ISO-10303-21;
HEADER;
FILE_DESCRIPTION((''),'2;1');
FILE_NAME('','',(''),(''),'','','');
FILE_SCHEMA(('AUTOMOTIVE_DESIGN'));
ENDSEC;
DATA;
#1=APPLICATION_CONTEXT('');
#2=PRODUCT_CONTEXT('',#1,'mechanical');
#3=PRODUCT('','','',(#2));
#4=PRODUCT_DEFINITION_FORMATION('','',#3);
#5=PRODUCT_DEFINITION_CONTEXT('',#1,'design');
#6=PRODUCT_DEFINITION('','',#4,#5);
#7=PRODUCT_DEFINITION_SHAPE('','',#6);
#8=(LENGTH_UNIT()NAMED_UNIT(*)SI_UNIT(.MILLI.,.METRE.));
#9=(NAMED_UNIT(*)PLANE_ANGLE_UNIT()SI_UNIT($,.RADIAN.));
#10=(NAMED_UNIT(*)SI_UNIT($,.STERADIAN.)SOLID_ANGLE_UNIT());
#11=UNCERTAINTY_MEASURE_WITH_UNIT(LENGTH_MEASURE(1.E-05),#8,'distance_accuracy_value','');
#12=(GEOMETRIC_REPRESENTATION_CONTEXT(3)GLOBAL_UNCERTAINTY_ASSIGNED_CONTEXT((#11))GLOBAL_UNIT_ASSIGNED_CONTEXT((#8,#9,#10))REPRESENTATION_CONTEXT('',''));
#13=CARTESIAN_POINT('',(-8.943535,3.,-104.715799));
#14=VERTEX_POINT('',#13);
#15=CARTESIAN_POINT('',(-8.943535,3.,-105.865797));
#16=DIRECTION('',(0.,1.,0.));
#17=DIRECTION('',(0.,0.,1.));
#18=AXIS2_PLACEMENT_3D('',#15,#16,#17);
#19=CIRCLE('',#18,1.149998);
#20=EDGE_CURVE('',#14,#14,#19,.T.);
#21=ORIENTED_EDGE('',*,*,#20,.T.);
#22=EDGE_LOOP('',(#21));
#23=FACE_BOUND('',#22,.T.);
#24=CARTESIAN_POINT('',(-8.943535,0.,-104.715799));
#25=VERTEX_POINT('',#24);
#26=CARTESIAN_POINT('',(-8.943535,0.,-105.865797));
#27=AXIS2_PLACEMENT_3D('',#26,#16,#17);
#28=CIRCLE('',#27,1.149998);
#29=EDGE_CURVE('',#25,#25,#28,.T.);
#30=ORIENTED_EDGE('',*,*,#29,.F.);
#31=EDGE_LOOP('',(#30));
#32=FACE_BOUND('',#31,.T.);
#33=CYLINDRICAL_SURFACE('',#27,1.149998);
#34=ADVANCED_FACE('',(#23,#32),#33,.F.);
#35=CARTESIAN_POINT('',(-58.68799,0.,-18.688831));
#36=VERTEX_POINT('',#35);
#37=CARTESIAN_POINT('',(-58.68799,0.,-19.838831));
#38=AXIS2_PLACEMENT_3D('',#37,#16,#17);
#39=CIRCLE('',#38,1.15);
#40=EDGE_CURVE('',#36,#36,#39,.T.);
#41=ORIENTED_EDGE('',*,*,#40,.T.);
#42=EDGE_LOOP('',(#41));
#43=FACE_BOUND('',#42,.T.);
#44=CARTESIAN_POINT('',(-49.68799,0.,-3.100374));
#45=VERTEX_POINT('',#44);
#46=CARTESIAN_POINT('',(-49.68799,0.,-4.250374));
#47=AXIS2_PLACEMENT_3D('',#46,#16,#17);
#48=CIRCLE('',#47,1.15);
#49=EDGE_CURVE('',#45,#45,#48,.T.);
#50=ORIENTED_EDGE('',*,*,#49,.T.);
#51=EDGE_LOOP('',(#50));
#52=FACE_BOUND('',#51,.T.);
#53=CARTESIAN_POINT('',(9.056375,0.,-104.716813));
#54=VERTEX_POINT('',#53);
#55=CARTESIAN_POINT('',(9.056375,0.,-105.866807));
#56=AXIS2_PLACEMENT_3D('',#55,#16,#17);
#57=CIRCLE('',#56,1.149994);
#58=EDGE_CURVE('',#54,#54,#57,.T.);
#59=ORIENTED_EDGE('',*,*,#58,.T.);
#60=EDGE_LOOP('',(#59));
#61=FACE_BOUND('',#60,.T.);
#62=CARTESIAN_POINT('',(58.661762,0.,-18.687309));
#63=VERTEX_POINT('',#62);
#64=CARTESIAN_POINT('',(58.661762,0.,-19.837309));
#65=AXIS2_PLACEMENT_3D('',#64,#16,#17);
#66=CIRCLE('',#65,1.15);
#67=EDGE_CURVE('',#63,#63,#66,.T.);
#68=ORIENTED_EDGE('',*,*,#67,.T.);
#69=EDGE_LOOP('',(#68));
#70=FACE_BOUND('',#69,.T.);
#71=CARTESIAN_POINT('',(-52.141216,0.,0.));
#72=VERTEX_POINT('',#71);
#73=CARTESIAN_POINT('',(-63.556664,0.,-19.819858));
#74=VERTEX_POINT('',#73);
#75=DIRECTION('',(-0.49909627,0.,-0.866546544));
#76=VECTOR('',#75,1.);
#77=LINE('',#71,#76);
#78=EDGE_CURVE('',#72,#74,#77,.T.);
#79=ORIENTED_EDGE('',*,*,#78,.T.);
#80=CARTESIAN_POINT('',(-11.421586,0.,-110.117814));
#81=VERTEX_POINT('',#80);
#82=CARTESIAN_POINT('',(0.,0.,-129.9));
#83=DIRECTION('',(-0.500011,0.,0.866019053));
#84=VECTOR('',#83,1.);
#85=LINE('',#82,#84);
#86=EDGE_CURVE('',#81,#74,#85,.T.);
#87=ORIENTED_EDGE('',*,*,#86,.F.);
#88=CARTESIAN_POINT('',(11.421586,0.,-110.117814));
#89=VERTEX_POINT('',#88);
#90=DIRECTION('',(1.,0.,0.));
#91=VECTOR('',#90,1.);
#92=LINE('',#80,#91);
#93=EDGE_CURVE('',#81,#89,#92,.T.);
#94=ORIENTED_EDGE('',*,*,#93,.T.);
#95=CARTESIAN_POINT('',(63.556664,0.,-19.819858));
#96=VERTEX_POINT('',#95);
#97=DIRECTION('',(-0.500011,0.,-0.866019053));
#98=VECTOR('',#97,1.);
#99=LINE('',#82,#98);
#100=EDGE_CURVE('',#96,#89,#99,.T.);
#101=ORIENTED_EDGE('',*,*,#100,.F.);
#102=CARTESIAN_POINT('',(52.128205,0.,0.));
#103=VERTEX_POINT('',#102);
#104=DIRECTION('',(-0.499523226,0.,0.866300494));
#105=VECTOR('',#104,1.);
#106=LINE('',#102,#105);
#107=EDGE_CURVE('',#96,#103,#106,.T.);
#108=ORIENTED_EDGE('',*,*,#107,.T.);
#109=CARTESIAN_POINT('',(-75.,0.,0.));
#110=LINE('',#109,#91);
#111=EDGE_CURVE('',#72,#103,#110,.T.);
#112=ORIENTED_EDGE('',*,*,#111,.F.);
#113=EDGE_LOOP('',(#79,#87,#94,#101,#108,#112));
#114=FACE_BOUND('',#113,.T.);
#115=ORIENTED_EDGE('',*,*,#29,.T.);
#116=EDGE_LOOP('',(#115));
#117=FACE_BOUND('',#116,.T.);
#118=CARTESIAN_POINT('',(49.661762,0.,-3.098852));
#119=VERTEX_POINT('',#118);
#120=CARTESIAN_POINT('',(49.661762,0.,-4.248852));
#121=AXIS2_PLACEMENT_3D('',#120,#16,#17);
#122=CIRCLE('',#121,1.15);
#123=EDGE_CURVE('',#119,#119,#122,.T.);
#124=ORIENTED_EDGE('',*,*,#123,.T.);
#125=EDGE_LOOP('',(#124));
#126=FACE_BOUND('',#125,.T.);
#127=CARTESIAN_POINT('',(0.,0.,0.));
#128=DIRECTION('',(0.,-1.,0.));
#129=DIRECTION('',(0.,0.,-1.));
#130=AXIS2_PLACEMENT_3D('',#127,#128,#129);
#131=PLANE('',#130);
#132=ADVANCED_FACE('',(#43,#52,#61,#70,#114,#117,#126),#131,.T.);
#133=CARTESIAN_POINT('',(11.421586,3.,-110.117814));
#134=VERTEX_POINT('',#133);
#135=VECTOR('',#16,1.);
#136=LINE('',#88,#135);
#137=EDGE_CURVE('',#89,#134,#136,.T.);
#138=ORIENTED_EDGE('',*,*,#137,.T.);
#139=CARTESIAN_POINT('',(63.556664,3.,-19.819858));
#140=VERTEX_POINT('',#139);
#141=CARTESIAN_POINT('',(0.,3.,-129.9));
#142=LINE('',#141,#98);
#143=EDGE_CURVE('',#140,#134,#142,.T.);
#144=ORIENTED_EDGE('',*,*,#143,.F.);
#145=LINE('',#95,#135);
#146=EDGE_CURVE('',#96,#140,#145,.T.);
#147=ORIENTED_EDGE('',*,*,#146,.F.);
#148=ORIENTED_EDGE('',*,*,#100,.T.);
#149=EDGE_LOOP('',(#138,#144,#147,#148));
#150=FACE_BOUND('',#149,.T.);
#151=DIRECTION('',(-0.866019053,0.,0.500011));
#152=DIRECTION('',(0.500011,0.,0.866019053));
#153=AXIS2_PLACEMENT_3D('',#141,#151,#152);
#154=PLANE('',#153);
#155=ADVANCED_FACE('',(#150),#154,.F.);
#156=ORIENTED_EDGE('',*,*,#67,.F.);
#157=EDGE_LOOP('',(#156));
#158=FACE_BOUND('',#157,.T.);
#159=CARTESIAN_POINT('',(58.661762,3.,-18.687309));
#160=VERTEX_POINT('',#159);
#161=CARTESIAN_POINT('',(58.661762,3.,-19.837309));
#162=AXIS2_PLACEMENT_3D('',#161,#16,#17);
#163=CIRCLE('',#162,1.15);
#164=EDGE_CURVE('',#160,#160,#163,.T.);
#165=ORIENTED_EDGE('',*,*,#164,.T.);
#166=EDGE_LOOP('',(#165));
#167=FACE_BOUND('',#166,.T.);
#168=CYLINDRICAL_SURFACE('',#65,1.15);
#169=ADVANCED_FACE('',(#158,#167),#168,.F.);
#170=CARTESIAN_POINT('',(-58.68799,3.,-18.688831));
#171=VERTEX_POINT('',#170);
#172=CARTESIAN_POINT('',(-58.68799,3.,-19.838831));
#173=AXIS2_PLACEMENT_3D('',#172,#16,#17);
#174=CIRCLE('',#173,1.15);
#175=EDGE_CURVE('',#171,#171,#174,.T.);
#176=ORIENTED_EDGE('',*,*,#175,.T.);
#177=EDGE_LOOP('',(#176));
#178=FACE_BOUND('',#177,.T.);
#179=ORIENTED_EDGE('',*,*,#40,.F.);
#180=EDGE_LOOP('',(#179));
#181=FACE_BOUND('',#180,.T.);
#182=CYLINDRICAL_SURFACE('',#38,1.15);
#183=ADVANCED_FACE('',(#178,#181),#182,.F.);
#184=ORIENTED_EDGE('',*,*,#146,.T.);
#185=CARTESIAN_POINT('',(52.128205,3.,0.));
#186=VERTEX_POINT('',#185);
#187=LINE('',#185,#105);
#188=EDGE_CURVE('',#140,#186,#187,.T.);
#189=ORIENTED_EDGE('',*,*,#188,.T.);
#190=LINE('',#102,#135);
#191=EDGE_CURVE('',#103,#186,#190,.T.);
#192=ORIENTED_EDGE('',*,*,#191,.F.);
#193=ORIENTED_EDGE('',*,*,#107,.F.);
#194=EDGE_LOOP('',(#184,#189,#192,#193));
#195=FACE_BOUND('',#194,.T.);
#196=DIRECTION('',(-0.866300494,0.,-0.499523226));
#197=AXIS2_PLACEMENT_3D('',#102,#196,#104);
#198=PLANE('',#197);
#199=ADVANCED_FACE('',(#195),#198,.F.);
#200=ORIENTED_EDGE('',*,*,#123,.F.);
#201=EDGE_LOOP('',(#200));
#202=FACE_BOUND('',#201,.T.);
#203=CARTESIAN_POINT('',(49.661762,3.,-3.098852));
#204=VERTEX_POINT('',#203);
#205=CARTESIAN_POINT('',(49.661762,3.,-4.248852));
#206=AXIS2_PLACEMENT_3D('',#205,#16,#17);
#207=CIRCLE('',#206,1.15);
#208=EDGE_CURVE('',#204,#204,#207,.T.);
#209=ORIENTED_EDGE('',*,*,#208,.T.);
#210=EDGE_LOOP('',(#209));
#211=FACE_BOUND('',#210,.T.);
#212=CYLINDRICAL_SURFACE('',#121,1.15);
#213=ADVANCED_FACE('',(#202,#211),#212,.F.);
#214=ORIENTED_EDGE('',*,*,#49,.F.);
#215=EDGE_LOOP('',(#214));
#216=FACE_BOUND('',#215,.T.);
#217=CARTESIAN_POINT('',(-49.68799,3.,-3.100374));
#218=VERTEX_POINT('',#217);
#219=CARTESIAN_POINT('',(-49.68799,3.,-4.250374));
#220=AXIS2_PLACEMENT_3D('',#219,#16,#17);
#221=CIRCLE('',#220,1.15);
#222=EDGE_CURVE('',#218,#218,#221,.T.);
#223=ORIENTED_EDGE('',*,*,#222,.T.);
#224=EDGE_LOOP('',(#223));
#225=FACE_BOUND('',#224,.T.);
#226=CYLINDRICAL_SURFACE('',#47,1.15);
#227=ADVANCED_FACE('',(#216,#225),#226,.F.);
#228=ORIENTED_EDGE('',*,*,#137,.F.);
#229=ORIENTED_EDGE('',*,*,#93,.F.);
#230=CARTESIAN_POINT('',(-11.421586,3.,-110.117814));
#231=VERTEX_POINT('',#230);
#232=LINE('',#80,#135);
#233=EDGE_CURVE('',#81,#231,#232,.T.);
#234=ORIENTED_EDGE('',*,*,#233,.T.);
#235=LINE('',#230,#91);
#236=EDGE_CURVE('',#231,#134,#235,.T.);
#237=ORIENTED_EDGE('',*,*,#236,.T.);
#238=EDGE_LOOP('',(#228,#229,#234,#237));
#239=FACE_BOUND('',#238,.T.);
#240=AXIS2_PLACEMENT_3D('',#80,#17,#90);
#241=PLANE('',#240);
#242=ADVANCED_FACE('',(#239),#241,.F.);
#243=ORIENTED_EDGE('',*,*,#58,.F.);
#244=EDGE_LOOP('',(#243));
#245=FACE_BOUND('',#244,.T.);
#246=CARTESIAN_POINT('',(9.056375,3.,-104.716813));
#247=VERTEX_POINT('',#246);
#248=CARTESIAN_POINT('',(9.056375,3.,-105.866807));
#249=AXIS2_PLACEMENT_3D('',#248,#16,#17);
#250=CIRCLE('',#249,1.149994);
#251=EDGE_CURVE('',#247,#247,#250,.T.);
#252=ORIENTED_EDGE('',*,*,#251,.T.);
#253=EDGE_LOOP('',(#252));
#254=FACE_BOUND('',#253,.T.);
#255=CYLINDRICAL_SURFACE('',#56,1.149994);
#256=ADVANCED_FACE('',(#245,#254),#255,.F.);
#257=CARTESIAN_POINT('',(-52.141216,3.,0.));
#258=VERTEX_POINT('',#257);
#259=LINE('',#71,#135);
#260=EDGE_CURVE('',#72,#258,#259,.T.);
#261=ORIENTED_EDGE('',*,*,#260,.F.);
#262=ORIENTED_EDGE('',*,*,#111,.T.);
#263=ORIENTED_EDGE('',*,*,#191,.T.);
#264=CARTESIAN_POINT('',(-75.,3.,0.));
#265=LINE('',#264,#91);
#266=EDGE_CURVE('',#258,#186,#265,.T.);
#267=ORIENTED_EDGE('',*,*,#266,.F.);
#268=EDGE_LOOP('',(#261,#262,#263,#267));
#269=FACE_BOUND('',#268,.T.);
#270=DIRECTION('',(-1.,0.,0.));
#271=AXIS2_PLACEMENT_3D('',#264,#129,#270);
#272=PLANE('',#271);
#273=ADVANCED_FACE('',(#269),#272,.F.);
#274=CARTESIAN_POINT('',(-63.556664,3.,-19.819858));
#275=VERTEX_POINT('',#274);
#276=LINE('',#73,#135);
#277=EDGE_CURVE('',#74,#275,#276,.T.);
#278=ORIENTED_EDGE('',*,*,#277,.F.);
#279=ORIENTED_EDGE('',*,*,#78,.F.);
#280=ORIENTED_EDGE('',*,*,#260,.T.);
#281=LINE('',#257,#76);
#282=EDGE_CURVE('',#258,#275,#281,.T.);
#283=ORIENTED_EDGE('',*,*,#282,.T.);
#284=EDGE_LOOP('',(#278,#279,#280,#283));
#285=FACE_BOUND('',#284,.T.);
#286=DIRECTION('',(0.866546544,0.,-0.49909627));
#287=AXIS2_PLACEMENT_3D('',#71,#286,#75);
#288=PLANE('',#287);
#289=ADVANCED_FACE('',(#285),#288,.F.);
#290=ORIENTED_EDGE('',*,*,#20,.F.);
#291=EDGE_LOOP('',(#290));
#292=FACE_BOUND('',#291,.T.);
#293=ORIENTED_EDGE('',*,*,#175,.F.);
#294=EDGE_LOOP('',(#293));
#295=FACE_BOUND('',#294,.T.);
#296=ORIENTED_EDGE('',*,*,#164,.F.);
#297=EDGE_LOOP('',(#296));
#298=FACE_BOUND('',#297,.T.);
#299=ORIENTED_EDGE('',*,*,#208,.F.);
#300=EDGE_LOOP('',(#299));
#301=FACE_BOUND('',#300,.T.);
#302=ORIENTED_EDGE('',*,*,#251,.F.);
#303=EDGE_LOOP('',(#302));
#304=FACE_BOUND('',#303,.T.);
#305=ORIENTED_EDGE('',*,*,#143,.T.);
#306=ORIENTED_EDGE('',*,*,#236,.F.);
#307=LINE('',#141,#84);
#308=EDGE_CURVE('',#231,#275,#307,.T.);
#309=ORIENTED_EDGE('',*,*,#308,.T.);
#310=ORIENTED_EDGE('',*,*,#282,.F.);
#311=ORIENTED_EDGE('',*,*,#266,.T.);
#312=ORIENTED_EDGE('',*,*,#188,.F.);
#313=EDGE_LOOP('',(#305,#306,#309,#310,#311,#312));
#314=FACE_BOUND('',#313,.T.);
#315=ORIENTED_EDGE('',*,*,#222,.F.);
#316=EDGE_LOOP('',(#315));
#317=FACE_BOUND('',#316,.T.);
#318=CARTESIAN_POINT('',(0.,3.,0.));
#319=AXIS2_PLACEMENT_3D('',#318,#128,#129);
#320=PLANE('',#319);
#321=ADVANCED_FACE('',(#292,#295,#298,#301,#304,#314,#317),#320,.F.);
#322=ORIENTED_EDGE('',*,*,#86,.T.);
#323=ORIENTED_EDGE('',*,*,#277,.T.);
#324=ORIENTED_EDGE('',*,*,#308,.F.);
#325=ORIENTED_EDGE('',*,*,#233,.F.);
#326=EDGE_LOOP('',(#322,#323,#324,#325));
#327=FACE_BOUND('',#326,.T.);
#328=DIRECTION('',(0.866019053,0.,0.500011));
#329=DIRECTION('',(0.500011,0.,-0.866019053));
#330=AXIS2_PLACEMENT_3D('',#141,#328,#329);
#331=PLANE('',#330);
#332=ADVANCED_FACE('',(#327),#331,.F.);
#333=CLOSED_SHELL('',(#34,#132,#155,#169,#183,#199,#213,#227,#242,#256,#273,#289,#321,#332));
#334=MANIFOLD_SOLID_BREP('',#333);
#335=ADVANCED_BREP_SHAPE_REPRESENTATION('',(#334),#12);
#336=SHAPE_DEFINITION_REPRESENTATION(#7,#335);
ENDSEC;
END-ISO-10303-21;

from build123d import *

# Parameters (mm, degrees)
RESSALTO_EXTRUS_O1_DEPTH = 3
CORTE_EXTRUS_O1_DEPTH    = 151.026697624
ESBO_O5_R                = 1.15
ESBO_O5_R_2              = 1.149998009
ESBO_O5_R_3              = 1.149993787
CORTE_EXTRUS_O3_DEPTH    = 128.178545465


with BuildPart() as part:
    # Esboço1 → Ressalto-extrusão1 (new body)
    with BuildSketch(Plane(origin=(0, 0, 0), x_dir=(1, 0, 0), z_dir=(0, 1, 0))):
        Polygon((-75, 0), (75, 0), (0, 129.9), align=None)
    extrude(amount=RESSALTO_EXTRUS_O1_DEPTH)

    # Esboço3 → Corte-extrusão1 (cut, through all)
    with BuildSketch(Plane(origin=(0, 3, 0), x_dir=(1, 0, 0), z_dir=(0, 1, 0))):
        Polygon((52.12820532, 0), (63.556663987, 19.819857975), (75, 0), align=None)
        Polygon((-52.141215794, 0), (-63.556663987, 19.819857975), (-75, 0), align=None)
        Polygon((-11.421585635, 110.117813679), (11.421585635, 110.117813679), (0, 129.9), align=None)
    extrude(amount=-CORTE_EXTRUS_O1_DEPTH, mode=Mode.SUBTRACT)

    # Esboço5 → Corte-extrusão3 (cut, through all)
    with BuildSketch(Plane(origin=(0, 3, 0), x_dir=(1, 0, 0), z_dir=(0, 1, 0))):
        with Locations(Location((-49.687989721, 4.250373636, 0), (0, 0, 270))):
            Circle(ESBO_O5_R)
        with Locations(Location((-58.687989721, 19.838830904, 0), (0, 0, 270))):
            Circle(ESBO_O5_R)
        with Locations(Location((58.661761519, 19.83730914, 0), (0, 0, 270))):
            Circle(ESBO_O5_R)
        with Locations(Location((49.661761519, 4.248851872, 0), (0, 0, 270))):
            Circle(ESBO_O5_R)
        with Locations(Location((-8.943534892, 105.865797451, 0), (0, 0, 270))):
            Circle(ESBO_O5_R_2)
        with Locations(Location((9.05637457, 105.866807251, 0), (0, 0, 270))):
            Circle(ESBO_O5_R_3)
    extrude(amount=-CORTE_EXTRUS_O3_DEPTH, mode=Mode.SUBTRACT)


solid = part.part
